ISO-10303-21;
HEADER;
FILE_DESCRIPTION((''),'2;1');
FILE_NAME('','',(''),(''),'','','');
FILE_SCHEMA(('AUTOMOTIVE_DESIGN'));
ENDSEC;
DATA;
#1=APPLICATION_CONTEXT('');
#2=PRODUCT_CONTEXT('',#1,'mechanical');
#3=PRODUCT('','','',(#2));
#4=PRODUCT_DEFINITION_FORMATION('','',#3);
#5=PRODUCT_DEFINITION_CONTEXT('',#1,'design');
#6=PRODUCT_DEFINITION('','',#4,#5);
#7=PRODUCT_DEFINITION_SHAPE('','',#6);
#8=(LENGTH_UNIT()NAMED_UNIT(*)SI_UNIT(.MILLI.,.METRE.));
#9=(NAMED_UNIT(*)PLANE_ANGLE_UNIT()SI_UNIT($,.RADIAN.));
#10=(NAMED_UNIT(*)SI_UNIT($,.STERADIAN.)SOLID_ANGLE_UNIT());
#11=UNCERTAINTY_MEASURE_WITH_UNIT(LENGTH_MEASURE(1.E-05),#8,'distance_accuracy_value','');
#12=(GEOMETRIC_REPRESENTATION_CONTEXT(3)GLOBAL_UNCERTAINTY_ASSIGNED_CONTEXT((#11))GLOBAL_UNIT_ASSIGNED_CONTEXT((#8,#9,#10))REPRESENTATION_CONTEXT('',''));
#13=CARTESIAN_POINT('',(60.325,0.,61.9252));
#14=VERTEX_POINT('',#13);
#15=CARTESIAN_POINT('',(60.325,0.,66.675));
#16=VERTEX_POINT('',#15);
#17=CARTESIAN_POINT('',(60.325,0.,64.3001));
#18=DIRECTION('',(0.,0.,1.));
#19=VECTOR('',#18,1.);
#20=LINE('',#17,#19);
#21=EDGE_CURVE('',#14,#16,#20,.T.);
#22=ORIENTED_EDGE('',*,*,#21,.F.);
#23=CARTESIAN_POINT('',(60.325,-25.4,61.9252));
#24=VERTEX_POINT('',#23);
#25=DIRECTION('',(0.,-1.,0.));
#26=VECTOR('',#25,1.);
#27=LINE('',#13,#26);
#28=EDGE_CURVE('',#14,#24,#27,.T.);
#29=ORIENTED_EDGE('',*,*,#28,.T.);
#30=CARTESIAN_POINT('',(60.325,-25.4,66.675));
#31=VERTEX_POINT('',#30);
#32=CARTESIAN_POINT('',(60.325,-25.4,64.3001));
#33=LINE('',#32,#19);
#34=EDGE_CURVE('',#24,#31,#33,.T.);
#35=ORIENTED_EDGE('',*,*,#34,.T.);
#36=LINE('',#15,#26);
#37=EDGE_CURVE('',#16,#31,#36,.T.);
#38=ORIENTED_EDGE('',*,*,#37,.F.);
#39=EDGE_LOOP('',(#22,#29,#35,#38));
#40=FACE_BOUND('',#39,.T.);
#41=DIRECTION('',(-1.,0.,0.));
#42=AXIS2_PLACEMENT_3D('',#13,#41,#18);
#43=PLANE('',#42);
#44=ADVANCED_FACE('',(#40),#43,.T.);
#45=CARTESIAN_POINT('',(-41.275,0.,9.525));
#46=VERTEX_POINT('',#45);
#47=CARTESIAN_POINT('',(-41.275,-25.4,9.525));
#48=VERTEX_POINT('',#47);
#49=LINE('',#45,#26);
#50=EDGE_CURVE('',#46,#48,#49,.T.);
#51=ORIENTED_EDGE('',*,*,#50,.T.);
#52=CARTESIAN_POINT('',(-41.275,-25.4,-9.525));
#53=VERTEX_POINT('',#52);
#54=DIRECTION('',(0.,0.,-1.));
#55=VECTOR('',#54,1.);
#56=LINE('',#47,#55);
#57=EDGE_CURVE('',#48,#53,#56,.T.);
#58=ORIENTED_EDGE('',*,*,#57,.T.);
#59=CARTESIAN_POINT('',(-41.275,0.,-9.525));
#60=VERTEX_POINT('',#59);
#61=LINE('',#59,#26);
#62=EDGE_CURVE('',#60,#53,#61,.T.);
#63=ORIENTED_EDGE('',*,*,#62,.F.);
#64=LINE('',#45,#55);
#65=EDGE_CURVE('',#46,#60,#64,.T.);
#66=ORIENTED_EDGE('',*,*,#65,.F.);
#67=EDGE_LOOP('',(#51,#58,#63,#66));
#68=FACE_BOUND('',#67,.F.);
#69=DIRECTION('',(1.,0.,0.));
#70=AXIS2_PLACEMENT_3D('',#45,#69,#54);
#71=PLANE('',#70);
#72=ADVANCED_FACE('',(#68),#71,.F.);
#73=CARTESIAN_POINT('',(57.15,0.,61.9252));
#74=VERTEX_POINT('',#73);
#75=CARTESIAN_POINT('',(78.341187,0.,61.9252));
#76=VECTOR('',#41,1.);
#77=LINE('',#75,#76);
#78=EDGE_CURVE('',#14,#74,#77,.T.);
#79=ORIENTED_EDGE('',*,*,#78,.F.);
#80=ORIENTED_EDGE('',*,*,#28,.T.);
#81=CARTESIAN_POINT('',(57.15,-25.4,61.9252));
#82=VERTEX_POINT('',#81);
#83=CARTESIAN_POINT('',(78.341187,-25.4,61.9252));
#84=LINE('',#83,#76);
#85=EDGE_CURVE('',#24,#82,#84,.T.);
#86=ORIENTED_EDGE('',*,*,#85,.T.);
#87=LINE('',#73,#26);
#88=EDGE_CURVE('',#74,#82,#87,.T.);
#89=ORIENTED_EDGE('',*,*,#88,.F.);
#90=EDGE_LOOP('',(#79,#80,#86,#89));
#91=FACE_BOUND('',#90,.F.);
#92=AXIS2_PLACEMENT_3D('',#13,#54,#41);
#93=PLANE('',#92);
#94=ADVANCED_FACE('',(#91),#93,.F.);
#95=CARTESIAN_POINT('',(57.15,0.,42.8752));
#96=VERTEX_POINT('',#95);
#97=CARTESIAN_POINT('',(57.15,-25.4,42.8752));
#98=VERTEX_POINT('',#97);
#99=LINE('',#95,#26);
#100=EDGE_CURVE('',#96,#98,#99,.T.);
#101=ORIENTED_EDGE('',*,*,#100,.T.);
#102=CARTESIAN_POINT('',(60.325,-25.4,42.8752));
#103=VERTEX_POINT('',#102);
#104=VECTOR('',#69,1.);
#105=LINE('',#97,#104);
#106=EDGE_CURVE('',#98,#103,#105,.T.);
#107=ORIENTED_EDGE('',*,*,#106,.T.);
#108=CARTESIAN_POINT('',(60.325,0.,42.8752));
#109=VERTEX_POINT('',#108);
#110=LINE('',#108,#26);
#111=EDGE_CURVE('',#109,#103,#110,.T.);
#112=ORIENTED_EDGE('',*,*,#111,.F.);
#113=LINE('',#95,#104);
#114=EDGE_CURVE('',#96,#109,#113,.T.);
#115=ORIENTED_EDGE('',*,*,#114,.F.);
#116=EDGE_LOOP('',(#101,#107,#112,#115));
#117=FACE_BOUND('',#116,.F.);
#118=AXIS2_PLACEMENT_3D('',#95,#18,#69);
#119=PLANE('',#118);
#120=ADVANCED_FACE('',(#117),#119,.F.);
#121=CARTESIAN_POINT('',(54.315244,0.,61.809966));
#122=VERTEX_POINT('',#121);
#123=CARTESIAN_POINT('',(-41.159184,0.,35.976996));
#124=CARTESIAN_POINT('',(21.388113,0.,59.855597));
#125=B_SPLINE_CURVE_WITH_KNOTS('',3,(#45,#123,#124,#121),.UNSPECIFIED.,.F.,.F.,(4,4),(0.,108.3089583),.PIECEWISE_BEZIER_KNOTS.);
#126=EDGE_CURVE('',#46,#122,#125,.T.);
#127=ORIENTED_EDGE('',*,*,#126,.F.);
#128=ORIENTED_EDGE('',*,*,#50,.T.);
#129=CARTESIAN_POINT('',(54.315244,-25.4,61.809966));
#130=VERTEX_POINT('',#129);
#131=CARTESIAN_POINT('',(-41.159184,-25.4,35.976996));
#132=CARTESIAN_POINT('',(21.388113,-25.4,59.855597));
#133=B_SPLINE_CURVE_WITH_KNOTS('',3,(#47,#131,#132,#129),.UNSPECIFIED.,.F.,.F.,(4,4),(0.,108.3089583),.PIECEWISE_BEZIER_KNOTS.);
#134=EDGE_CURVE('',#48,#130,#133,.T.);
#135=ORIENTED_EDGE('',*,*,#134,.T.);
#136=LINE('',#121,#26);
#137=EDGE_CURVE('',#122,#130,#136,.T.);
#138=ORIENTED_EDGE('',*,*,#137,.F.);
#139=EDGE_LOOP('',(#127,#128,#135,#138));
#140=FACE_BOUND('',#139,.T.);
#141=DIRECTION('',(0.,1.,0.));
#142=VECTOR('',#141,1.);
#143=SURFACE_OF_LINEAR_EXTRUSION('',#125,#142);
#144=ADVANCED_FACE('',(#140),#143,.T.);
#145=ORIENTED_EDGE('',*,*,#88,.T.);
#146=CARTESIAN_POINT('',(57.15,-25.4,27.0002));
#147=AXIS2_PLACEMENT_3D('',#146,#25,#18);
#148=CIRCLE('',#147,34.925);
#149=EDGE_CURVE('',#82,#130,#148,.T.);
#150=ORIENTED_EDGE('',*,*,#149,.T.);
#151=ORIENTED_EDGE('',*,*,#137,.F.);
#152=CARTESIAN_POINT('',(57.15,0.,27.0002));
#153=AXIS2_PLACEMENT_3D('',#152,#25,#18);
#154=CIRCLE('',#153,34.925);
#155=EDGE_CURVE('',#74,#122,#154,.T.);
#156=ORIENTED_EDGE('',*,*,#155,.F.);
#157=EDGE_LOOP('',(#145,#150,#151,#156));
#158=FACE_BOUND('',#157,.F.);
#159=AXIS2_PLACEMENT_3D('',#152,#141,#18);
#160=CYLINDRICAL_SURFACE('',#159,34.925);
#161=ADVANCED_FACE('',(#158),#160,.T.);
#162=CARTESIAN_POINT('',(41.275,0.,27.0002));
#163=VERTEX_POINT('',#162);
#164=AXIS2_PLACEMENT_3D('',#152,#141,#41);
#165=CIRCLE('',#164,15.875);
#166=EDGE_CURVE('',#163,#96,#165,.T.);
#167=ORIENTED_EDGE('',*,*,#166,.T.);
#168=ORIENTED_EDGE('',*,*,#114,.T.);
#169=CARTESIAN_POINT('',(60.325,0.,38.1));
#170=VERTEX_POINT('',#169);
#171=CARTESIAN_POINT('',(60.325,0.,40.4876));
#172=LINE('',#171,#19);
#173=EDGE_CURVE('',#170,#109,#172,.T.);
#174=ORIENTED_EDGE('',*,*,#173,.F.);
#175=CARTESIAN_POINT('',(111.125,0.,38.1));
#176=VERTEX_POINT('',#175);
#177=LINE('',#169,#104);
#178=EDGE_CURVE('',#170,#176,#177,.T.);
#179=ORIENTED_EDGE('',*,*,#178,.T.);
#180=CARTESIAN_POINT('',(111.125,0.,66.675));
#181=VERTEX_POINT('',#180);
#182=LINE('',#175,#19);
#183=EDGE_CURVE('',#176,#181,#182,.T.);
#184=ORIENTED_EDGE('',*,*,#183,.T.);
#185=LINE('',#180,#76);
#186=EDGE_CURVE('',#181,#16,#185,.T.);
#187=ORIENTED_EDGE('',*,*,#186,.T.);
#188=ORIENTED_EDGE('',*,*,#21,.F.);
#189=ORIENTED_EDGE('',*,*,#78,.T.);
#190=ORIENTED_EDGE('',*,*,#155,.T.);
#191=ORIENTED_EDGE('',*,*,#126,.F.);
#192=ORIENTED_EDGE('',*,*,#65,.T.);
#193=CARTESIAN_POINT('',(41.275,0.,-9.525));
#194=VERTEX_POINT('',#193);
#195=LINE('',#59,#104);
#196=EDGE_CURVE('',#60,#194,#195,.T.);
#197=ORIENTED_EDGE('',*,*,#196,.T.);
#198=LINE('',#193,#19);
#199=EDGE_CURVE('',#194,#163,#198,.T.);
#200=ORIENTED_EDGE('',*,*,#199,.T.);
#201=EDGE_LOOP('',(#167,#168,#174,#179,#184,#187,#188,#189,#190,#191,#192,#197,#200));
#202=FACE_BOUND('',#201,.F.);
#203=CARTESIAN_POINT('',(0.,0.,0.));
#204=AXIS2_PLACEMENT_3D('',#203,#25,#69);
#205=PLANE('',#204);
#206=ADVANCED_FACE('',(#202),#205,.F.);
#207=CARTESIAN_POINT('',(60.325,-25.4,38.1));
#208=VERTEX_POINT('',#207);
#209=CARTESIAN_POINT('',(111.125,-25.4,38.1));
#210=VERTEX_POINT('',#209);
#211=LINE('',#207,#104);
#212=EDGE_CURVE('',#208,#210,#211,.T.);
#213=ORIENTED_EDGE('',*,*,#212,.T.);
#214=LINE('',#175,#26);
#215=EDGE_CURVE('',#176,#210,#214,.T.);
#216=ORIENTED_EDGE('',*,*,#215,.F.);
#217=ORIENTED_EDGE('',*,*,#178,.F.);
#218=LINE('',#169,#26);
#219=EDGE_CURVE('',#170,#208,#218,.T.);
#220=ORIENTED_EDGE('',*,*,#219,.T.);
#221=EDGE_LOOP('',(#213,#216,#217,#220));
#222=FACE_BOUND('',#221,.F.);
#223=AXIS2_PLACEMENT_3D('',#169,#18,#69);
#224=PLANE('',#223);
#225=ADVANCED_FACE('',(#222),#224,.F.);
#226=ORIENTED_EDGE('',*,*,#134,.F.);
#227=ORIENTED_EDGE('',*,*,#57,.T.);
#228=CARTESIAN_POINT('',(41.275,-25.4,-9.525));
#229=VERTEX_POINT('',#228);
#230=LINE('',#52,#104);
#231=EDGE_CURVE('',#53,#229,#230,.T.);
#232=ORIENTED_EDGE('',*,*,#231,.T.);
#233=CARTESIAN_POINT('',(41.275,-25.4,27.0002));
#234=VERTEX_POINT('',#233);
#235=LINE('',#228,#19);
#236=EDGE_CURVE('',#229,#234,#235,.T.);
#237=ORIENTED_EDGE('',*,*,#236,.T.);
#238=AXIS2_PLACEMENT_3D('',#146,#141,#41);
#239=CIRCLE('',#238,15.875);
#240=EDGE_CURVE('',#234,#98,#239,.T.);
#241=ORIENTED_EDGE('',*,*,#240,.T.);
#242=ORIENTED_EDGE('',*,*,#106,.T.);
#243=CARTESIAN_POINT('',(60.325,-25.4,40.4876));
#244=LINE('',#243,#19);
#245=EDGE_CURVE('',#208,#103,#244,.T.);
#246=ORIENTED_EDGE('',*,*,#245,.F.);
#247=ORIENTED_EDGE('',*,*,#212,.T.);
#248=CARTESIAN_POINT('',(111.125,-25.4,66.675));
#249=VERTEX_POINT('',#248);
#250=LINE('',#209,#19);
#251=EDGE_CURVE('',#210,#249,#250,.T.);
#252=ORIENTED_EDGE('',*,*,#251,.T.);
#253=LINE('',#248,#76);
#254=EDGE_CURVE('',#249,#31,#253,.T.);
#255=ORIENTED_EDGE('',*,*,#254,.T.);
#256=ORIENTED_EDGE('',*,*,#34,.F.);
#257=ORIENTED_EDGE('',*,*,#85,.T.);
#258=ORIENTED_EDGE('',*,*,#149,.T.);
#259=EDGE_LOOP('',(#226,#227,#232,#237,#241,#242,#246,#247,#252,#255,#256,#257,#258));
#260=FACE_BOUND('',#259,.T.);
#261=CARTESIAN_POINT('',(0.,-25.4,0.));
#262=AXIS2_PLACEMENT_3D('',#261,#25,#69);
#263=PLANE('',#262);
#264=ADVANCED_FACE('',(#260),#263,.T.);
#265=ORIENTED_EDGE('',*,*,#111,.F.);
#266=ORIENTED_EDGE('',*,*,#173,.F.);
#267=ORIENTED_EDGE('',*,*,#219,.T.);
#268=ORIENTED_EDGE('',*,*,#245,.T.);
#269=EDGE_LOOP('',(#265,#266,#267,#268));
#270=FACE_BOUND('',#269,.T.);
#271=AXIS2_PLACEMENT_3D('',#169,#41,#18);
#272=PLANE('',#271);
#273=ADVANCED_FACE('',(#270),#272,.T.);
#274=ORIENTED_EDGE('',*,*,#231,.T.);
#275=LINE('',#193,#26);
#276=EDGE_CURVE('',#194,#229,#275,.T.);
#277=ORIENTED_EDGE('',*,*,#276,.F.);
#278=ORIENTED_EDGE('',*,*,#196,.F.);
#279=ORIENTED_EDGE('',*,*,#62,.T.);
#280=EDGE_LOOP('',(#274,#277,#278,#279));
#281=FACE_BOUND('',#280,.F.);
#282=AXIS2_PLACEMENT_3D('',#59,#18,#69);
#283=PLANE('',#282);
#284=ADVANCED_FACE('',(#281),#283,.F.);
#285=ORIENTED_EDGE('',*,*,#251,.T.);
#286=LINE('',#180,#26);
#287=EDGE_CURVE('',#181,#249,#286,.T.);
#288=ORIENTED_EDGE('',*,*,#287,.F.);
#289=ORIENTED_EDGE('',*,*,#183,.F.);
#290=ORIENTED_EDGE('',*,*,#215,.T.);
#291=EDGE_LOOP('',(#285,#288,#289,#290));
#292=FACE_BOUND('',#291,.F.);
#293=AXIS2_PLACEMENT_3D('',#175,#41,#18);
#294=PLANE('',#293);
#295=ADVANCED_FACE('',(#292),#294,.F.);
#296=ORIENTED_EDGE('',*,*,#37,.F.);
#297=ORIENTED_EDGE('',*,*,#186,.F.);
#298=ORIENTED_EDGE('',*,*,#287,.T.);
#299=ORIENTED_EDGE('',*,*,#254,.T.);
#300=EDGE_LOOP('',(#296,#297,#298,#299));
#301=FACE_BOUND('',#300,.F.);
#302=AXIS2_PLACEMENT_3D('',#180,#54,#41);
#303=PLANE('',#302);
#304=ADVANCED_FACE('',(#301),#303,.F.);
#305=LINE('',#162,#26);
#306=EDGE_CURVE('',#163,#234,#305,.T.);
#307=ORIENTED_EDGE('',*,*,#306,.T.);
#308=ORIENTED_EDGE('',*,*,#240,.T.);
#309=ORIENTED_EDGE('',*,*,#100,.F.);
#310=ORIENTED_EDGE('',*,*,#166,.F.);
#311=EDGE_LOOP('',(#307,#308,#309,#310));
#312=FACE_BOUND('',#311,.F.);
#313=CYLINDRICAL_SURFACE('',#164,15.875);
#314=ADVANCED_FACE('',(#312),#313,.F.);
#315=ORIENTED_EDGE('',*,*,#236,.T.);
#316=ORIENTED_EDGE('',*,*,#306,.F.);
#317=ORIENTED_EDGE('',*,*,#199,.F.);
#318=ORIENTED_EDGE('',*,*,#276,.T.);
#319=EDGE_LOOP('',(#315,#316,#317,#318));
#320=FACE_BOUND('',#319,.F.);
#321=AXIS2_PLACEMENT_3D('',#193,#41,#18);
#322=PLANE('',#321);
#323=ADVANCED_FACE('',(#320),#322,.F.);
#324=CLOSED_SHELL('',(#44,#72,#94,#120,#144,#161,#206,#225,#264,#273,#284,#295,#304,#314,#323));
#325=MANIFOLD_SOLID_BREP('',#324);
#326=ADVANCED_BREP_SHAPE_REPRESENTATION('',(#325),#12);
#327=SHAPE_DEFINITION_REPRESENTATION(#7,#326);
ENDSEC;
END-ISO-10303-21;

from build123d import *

# Parameters (mm, degrees)
F0_W     = 18.0161866653
F0_H     = 19.05
F0_H_2   = 4.7498
F0_H_3   = 4.7752
F1_DEPTH = 25.4


with BuildPart() as f1:
    # F0 (on Front) → F1 (new body)
    with BuildSketch(Plane.XZ):
        Polygon((-41.275, 9.525), (-41.275, -9.525), (41.275, -9.525), (41.275, 9.525), (22.225, 9.525), align=None)
        with BuildLine():
            add(Edge.make_bspline(
                [(-41.275, 9.525), (-41.1591837702, 35.9769959962), (21.3881129602, 59.8555972183), (54.3152436271, 61.8099656026)],
                knots=[0, 0, 0, 0, 108.3089583002, 108.3089583002, 108.3089583002, 108.3089583002], degree=3))
            Line((-41.275, 9.525), (22.225, 9.525))
            Line((22.225, 9.525), (22.225, 27.0002))
            ThreePointArc((22.225, 27.0002), (31.4716093639, 50.6724597007), (54.3152436271, 61.8099656026))
        make_face()
        with BuildLine():
            Line((22.225, 9.525), (41.275, 9.525))
            Line((41.275, 9.525), (41.275, 27.0002))
            ThreePointArc((41.275, 27.0002), (45.9246798487, 38.2255201513), (57.15, 42.8752))
            Line((57.15, 42.8752), (60.325, 42.8752))
            Line((60.325, 42.8752), (60.325, 61.9252))
            Line((60.325, 61.9252), (57.15, 61.9252))
            add(Edge.make_bspline(
                [(54.3152436271, 61.8099656026), (55.2867349194, 61.8676278352), (56.2324417814, 61.9062049671), (57.15, 61.9252)],
                knots=[108.3089583002, 108.3089583002, 108.3089583002, 108.3089583002, 111.5045361635, 111.5045361635, 111.5045361635, 111.5045361635], degree=3))
            ThreePointArc((54.3152436271, 61.8099656026), (31.4716093639, 50.6724597007), (22.225, 27.0002))
            Line((22.225, 27.0002), (22.225, 9.525))
        make_face()
        with BuildLine():
            ThreePointArc((57.15, 61.9252), (55.7314512116, 61.8963795092), (54.3152436271, 61.8099656026))
            add(Edge.make_bspline(
                [(54.3152436271, 61.8099656026), (55.2867349194, 61.8676278352), (56.2324417814, 61.9062049671), (57.15, 61.9252)],
                knots=[108.3089583002, 108.3089583002, 108.3089583002, 108.3089583002, 111.5045361635, 111.5045361635, 111.5045361635, 111.5045361635], degree=3))
        make_face()
        with Locations((69.3330933327, 52.4002)):
            Rectangle(F0_W, F0_H)
        with Locations((69.3330933327, 64.3001)):
            Rectangle(F0_W, F0_H_2)
        with Locations((69.3330933327, 40.4876)):
            Rectangle(F0_W, F0_H_3)
        Polygon((78.3411866653, 66.675), (78.3411866653, 61.9252), (78.3411866653, 42.8752), (78.3411866653, 38.1), (111.125, 38.1), (111.125, 66.675), align=None)
    extrude(amount=F1_DEPTH)


solid = f1.part
